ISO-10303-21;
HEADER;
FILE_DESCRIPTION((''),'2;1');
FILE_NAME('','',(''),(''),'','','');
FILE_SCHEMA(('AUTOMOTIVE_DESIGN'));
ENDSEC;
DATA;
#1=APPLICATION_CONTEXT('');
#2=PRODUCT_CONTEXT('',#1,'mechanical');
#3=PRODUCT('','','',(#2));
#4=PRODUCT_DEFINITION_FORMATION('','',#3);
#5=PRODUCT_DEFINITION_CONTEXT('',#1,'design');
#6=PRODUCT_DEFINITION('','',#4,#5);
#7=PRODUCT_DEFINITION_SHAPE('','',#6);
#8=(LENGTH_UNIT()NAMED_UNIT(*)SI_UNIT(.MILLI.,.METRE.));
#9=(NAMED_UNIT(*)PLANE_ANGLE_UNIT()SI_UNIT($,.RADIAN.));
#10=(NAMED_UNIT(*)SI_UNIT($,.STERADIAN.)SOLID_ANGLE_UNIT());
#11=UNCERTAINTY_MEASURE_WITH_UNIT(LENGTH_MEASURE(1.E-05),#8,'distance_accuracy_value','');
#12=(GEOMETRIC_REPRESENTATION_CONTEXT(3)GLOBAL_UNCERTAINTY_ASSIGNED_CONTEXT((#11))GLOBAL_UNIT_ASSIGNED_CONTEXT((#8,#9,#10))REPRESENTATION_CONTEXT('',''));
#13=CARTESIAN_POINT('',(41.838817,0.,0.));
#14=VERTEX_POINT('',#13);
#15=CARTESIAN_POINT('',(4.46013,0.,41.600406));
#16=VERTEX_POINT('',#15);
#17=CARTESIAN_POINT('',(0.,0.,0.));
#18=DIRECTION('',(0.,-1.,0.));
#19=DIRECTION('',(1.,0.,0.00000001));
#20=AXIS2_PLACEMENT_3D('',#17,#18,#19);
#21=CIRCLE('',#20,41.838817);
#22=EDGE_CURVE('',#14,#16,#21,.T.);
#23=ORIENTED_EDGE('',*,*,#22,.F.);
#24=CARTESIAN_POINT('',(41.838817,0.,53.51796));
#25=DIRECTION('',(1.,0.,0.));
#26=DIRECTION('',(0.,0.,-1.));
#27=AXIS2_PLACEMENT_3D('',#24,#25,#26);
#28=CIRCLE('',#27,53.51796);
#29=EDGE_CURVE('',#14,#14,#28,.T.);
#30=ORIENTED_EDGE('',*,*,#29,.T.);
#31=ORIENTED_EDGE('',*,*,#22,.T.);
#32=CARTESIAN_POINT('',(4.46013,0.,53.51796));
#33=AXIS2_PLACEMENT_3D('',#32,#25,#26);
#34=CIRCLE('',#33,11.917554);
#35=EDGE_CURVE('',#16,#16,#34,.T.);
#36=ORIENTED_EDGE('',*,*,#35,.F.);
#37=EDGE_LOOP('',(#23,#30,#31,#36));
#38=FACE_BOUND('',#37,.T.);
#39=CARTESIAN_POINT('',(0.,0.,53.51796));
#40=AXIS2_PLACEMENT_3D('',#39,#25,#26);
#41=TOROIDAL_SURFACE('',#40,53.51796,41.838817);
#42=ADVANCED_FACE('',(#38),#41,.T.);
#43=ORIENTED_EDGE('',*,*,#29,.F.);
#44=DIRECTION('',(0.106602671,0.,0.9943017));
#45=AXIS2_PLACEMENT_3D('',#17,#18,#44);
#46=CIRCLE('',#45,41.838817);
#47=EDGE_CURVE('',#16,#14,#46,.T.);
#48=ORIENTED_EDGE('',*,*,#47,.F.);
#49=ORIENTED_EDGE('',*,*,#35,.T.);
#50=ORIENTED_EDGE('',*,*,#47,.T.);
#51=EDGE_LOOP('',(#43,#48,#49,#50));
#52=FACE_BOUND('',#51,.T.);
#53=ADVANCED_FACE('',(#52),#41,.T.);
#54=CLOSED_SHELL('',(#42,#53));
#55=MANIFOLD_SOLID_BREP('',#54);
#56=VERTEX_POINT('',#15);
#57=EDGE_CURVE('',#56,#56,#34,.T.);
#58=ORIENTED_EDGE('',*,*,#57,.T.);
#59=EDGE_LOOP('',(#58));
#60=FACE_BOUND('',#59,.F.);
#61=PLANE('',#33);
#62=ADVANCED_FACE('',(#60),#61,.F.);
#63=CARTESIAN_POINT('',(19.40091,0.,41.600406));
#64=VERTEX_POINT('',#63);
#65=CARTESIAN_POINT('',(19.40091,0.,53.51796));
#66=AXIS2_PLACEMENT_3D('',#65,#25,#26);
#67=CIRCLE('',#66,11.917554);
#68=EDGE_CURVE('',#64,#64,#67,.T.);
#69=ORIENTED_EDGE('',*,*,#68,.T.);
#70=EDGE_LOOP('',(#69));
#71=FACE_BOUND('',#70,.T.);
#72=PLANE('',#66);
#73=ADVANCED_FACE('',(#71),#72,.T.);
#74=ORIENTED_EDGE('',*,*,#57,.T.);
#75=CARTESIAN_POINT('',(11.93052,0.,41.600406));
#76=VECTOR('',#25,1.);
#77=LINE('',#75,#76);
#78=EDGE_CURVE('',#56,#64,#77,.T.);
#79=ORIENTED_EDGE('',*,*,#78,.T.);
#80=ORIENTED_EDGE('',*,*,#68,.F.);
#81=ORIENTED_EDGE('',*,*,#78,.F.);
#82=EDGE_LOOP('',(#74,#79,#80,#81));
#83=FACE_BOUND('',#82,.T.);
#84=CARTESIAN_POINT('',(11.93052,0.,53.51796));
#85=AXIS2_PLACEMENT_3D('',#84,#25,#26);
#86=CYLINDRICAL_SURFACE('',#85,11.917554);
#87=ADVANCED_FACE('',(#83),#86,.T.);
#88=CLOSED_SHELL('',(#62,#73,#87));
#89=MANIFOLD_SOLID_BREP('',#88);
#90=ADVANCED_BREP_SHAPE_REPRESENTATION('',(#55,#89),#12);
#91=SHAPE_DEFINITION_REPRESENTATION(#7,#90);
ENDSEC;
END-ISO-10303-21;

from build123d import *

# Parameters (mm, degrees)
F0_W = 14.94078
F0_H = 11.917554


with BuildPart() as f1:
    # F0 (on Front) → F1 (revolve)
    with BuildSketch(Plane.XZ):
        with Locations((11.93052, 47.559183)):
            Rectangle(F0_W, F0_H)
        with BuildLine():
            ThreePointArc((4.46013, 41.600406), (-31.121481, -27.96319), (41.838817, 0))
            ThreePointArc((41.838817, 0), (31.121481, 27.96319), (4.46013, 41.600406))
        make_face()
    revolve(axis=Axis((11.93052, 0, 53.51796), (1, 0, 0)))


solid = f1.part
